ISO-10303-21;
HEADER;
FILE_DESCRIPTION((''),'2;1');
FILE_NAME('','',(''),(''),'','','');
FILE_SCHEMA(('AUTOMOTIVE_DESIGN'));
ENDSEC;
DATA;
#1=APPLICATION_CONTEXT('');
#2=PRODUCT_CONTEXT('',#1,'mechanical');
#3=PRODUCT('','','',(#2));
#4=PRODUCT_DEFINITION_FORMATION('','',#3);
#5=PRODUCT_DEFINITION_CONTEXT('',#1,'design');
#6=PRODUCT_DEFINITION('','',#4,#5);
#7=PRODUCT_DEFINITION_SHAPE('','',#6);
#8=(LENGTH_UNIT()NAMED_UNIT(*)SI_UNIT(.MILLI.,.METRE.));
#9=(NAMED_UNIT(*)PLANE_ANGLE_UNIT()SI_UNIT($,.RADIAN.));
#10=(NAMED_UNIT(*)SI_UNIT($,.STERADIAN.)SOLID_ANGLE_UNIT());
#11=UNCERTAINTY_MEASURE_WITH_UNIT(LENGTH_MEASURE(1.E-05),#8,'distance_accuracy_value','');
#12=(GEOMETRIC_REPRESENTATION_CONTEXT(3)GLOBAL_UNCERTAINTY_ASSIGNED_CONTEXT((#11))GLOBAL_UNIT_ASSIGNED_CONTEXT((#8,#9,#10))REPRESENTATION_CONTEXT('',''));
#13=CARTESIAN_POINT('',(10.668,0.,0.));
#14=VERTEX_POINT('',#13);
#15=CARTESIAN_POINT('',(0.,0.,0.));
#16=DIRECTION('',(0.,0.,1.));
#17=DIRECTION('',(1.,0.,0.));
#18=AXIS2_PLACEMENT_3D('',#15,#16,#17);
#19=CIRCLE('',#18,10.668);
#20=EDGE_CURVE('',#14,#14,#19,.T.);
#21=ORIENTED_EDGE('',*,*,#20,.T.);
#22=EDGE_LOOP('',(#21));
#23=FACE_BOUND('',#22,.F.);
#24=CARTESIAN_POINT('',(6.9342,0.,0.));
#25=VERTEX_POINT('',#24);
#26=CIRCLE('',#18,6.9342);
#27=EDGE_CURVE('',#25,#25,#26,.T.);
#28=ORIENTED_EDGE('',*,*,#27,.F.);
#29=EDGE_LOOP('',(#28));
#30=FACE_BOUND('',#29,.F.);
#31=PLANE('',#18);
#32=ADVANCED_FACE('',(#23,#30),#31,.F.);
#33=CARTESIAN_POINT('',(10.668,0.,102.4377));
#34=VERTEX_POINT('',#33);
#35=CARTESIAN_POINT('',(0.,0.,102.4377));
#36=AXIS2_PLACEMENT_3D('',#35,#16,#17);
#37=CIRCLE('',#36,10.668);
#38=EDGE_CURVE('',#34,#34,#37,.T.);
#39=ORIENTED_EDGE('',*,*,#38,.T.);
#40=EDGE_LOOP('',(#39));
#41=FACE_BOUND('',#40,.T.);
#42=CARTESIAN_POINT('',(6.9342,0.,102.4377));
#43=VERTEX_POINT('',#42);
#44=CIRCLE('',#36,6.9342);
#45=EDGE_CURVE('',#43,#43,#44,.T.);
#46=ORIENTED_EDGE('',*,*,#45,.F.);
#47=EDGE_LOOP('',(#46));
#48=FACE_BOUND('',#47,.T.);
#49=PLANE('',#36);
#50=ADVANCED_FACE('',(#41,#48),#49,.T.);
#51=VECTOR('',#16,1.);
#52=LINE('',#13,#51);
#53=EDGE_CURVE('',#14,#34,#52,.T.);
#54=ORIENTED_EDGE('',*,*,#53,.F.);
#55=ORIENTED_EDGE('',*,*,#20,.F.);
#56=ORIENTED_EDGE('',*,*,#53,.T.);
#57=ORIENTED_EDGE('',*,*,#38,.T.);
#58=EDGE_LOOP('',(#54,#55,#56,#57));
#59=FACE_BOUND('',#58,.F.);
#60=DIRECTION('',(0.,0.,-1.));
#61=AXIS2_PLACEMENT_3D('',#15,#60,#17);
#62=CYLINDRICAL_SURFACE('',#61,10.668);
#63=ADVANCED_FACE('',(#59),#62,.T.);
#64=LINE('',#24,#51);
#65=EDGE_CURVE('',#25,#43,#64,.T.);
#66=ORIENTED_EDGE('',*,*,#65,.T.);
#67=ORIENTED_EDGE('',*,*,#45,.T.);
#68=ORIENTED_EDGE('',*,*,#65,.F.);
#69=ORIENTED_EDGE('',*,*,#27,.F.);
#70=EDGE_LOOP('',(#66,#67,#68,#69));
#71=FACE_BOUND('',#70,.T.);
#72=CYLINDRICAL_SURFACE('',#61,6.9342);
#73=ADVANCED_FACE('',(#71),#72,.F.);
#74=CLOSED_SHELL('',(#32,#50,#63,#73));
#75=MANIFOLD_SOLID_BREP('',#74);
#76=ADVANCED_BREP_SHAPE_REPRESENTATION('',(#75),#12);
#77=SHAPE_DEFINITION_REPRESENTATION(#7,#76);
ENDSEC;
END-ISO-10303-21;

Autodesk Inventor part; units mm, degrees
ref_plane "YZ Plane" through (0, 0, 0) normal (1, 0, 0) x (0, 1, 0)
ref_plane "Start Plane" through (0, 0, 0) normal (0, 0, 1) x (1, 0, 0)
ref_plane "End Plane" through (0, 0, 102.4377) normal (0, 0, 1) x (1, 0, 0)
sketch "Sketch" plane through (0, 0, 0) normal (0, 0, 1) x (1, 0, 0)
  circle A0 centre (0, 0) radius 6.9342
  circle A1 centre (0, 0) radius 10.668
  dimension "d0" = 21.336
  dimension "d1" = 3.7338
extrude "Body" add sketch "Sketch" along normal up to surface (102.4377 mm away) from surface at 0
sketch "Sketch3" plane through (0, 0, 0) normal (0, 0, 1) x (1, 0, 0)
  line L0 (0, 0) -> (10, 0)
ref_plane "Work Plane3" through (0, 0, 0) normal (0, -1, 0) x (1, 0, 0)
sketch "Sketch4" plane through (0, 0, 0) normal (0, -1, 0) x (1, 0, 0)
  line L0 (-2, 0) -> (12, 0)
  line L1 (-2, 102.4377) -> (12, 102.4377)
  dimension "d7" = 102.4377
equation "\"d0\" = G_H"
equation "\"d1\" = G_T"
equation "\"d2\" = G_L"
equation "\"G_H\" = 21.336"
equation "\"G_T\" = 3.7338"
equation "\"G_L\" = d7"
equation "\"G_OFFSET_START\" = 0"
equation "\"G_OFFSET_END\" = 0"
equation "\"d5\" = G_OFFSET_END + B_L"
equation "\"B_L\" = 102.43767"
properties part number "ANSI - 1/2 x 0.147 - 4.033" material "Steel, Mild"
